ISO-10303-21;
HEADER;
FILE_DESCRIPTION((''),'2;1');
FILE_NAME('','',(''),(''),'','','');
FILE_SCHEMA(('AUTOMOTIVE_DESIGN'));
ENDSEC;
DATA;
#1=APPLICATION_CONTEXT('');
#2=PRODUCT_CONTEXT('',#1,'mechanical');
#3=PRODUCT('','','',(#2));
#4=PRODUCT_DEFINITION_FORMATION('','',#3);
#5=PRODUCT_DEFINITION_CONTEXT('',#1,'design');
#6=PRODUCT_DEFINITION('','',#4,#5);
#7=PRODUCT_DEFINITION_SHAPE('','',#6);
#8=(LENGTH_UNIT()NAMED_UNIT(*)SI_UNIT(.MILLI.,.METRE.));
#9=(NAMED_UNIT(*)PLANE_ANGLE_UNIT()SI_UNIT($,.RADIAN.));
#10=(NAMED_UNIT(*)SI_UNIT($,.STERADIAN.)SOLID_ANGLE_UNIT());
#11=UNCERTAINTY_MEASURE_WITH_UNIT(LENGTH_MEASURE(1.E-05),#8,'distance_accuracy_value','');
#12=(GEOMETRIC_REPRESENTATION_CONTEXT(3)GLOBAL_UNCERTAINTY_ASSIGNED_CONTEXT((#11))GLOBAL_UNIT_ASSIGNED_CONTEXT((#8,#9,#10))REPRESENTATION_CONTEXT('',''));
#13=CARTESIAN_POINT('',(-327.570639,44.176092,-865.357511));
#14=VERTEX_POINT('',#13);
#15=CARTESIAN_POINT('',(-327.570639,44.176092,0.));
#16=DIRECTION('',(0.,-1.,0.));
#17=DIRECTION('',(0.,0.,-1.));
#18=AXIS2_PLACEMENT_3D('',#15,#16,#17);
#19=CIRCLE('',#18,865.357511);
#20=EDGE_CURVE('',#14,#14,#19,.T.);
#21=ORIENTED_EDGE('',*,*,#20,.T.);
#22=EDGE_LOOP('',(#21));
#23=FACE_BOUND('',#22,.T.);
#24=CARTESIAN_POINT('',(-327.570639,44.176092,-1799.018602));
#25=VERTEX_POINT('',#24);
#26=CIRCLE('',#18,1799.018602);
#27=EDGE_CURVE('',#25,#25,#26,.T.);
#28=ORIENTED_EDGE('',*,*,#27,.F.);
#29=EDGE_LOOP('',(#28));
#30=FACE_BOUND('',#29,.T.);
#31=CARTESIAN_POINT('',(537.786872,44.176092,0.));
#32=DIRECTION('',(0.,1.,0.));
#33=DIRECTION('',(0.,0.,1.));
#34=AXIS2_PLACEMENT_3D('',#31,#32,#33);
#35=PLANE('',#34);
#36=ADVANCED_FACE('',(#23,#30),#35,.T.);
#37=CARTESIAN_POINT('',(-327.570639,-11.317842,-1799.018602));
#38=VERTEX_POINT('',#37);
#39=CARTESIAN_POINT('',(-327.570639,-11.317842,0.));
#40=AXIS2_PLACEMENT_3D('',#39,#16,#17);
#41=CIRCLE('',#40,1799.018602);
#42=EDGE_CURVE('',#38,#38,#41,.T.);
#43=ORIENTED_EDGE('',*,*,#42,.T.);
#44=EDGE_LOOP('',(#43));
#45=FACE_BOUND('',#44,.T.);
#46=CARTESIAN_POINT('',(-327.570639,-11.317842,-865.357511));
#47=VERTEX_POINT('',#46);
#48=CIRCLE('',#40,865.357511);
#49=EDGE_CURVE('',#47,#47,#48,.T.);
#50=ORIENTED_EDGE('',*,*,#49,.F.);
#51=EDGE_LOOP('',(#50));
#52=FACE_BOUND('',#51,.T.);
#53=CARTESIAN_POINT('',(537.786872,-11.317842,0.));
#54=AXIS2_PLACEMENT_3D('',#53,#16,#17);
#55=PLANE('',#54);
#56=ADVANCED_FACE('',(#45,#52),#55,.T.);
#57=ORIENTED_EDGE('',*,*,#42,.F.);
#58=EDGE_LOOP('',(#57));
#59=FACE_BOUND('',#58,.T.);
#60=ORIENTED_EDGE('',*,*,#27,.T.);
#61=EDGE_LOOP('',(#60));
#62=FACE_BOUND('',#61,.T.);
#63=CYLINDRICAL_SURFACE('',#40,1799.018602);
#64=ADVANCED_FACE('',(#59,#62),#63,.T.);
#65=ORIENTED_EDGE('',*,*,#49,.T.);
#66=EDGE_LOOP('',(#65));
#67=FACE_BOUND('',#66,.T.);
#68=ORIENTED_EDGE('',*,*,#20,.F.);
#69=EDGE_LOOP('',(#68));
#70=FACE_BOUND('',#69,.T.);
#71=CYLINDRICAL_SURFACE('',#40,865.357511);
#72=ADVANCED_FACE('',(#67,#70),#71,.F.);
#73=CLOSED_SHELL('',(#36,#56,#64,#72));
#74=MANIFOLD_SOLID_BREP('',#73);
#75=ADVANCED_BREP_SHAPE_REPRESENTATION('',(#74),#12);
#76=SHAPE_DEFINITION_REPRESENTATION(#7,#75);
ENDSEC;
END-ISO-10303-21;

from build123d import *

# Parameters (mm, degrees)
SKETCH1_W    = 233.415272748
SKETCH1_H    = 13.873483364
SCALE1_SCALE = 5
SCALE2_SCALE = 0.8


with BuildPart() as part:
    # Sketch1 → Revolve1 (revolve)
    with BuildSketch(Plane.XY, mode=Mode.PRIVATE) as revolve1_sk:
        with Locations((5.476375012, 16.429125037)):
            Rectangle(SKETCH1_W, SKETCH1_H)
    revolve(revolve1_sk.sketch.rotate(Axis((-327.570639078, 9.492383355, 0), (0, 1, 0)), 90), axis=Axis((-327.570639078, 9.492383355, 0), (0, 1, 0)))


with BuildPart() as part_1:
    # Scale1: scaled about (-327.570639078, 16.429125037, 0)
    add(part.part.scale(SCALE1_SCALE).moved(Location((1310.282556312, -65.716500148, 0))))


with BuildPart() as part_2:
    # Scale2: scaled about (-327.570639076, 16.429125037, 0)
    add(part_1.part.scale(SCALE2_SCALE).moved(Location((-65.514127815, 3.285825007, 0))))


solid = part_2.part
